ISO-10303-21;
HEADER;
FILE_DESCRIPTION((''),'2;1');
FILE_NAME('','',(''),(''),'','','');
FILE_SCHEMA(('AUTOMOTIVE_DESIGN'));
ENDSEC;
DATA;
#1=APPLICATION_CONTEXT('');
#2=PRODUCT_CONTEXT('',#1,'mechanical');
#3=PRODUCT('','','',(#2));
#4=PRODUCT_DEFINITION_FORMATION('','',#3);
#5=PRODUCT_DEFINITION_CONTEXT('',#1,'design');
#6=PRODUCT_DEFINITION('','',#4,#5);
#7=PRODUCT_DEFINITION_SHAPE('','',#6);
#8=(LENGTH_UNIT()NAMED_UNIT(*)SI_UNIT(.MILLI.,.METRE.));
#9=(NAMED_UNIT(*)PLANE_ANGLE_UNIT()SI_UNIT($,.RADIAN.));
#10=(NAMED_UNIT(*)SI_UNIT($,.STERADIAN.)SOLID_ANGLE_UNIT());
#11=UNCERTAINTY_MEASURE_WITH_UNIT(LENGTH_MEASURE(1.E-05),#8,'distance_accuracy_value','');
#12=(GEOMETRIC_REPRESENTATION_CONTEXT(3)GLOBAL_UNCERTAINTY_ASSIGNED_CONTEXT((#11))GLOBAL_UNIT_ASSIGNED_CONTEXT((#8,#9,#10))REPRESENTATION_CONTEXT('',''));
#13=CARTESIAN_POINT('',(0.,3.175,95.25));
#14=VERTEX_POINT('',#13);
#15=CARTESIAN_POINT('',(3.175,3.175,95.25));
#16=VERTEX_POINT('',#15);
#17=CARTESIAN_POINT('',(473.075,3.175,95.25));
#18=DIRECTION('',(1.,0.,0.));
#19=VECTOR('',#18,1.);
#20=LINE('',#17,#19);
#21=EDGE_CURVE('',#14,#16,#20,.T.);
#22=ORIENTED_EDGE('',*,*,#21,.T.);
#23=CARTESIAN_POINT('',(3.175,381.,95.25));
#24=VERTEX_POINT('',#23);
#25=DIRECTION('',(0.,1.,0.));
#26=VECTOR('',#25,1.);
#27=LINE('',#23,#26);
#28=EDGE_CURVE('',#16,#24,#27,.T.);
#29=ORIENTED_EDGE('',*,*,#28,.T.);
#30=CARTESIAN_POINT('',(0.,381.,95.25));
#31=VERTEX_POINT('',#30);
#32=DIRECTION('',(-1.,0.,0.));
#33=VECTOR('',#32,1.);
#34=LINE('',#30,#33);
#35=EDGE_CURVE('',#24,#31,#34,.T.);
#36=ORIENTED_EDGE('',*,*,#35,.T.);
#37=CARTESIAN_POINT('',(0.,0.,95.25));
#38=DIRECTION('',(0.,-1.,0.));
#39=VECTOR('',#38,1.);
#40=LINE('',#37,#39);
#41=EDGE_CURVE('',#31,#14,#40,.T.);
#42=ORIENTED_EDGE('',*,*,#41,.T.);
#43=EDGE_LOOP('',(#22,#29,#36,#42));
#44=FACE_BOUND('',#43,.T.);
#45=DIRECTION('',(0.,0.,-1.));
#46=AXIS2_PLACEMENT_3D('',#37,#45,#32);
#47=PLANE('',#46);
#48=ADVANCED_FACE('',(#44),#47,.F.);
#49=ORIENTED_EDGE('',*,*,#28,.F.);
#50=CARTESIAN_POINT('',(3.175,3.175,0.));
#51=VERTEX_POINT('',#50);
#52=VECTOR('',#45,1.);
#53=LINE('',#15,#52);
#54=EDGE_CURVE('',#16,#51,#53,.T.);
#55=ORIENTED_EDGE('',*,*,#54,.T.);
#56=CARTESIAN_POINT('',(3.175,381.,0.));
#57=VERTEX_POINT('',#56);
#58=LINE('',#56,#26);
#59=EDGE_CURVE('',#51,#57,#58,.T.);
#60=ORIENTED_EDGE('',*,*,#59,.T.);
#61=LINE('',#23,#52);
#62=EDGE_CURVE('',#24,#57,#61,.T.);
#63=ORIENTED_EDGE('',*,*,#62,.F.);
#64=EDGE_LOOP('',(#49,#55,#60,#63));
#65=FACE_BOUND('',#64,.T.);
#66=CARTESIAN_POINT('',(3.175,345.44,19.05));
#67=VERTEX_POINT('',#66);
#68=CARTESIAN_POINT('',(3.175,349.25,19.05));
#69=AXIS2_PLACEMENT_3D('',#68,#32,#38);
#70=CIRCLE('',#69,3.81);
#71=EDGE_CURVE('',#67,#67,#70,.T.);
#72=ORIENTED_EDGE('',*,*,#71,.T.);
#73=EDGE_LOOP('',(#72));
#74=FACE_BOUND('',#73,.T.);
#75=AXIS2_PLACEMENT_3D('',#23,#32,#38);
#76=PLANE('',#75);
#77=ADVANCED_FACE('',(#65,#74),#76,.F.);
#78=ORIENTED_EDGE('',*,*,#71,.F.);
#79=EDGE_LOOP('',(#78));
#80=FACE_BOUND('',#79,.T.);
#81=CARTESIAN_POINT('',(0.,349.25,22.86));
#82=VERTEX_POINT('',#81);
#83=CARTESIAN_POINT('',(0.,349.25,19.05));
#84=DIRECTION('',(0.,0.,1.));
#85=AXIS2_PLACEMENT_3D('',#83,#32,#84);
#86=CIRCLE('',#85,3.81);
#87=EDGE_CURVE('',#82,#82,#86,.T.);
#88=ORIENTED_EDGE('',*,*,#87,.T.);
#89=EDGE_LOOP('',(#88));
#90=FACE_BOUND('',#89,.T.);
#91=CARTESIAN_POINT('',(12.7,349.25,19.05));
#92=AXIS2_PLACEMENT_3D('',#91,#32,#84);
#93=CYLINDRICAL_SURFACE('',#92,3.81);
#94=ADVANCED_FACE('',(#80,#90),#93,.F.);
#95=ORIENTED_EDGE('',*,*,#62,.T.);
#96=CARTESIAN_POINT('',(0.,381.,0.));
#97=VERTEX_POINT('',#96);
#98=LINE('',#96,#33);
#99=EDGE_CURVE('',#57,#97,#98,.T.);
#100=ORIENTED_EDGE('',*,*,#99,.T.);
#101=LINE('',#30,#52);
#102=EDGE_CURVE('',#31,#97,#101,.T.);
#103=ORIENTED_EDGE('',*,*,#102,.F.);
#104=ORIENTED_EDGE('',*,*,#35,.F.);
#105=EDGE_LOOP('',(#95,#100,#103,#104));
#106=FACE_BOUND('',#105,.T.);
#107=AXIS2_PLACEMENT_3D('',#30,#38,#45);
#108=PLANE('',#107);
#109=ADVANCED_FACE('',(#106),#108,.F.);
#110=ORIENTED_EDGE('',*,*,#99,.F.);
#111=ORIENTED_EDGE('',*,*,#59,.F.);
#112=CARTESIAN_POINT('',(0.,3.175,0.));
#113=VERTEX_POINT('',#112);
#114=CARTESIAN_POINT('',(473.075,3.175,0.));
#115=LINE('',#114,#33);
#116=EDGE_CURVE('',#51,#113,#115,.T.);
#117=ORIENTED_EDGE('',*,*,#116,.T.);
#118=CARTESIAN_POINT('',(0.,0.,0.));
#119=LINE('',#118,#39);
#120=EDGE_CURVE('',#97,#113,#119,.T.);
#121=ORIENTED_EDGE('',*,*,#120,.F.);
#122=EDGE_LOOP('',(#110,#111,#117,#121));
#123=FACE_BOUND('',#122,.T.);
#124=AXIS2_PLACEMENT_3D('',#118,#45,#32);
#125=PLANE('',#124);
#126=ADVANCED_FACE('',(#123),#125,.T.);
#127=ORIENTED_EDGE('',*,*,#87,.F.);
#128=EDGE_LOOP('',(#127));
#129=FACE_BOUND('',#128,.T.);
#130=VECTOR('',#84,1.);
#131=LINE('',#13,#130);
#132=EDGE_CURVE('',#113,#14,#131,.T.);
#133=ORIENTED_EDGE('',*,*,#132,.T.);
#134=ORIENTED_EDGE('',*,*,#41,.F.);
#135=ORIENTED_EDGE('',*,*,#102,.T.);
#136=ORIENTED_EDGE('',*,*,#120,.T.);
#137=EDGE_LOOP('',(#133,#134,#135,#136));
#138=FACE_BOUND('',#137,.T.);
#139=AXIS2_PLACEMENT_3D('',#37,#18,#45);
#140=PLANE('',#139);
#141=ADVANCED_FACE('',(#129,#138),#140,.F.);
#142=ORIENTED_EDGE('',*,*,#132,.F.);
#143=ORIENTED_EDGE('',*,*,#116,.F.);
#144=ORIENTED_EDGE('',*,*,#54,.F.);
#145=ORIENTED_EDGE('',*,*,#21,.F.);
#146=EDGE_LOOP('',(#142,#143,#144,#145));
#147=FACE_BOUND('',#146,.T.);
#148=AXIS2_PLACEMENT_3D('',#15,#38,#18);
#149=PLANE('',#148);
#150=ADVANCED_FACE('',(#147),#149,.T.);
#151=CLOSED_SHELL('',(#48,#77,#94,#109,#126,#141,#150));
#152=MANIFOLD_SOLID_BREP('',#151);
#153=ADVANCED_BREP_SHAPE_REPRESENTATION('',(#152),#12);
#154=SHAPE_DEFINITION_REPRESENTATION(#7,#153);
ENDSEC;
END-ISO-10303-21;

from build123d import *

# Parameters (mm, degrees)
BOSS_EXTRUDE1_DEPTH = 95.25
SKETCH2_R           = 3.175
CUT_EXTRUDE1_DEPTH  = 152.4
SKETCH4_R           = 34.925
SKETCH4_R_2         = 3.81
CUT_EXTRUDE2_DEPTH  = 381
SKETCH5_R           = 3.81
CUT_EXTRUDE3_DEPTH  = 12.7
SKETCH6_W           = 473.075
SKETCH6_H           = 95.25
CUT_EXTRUDE4_DEPTH  = 3.175


with BuildPart() as part:
    # Sketch1 → Boss-Extrude1 (new body)
    with BuildSketch(Plane.XY):
        Polygon((0, 0), (0, 381), (3.175, 381), (3.175, 3.175), (473.075, 3.175), (473.075, 0), align=None)
    extrude(amount=BOSS_EXTRUDE1_DEPTH)

    # Sketch2 → Cut-Extrude1 (cut)
    with BuildSketch(Plane(origin=(0, 3.175, 0), x_dir=(1, 0, 0), z_dir=(0, 1, 0))):
        with Locations(Location((190.119, -4.572, 0), (0, 0, 180))):
            Circle(SKETCH2_R)
        with Locations(Location((190.119, -76.2, 0), (0, 0, 180))):
            Circle(SKETCH2_R)
        with Locations(Location((261.747, -4.572, 0), (0, 0, 180))):
            Circle(SKETCH2_R)
        with Locations(Location((261.747, -76.2, 0), (0, 0, 180))):
            Circle(SKETCH2_R)
        with Locations(Location((295.783, -76.2, 0), (0, 0, 180))):
            Circle(SKETCH2_R)
        with Locations(Location((295.783, -4.572, 0), (0, 0, 180))):
            Circle(SKETCH2_R)
        with Locations(Location((367.411, -76.2, 0), (0, 0, 180))):
            Circle(SKETCH2_R)
        with Locations(Location((367.411, -4.572, 0), (0, 0, 180))):
            Circle(SKETCH2_R)
    extrude(amount=-CUT_EXTRUDE1_DEPTH, mode=Mode.SUBTRACT)

    # Sketch4 → Cut-Extrude2 (cut)
    with BuildSketch(Plane.XZ):
        with Locations((225.933, 40.386)):
            Circle(SKETCH4_R)
        with Locations((331.597, 40.386)):
            Circle(SKETCH4_R)
        with Locations((390.525, 19.05)):
            Circle(SKETCH4_R_2)
    extrude(amount=-CUT_EXTRUDE2_DEPTH, mode=Mode.SUBTRACT)

    # Sketch5 → Cut-Extrude3 (cut)
    with BuildSketch(Plane.ZY):
        with Locations((19.05, 349.25)):
            Circle(SKETCH5_R)
    extrude(amount=-CUT_EXTRUDE3_DEPTH, mode=Mode.SUBTRACT)

    # Sketch6 → Cut-Extrude4 (cut)
    with BuildSketch(Plane.XZ):
        with Locations((236.5375, 47.625)):
            Rectangle(SKETCH6_W, SKETCH6_H)
    extrude(amount=-CUT_EXTRUDE4_DEPTH, mode=Mode.SUBTRACT)


solid = part.part
